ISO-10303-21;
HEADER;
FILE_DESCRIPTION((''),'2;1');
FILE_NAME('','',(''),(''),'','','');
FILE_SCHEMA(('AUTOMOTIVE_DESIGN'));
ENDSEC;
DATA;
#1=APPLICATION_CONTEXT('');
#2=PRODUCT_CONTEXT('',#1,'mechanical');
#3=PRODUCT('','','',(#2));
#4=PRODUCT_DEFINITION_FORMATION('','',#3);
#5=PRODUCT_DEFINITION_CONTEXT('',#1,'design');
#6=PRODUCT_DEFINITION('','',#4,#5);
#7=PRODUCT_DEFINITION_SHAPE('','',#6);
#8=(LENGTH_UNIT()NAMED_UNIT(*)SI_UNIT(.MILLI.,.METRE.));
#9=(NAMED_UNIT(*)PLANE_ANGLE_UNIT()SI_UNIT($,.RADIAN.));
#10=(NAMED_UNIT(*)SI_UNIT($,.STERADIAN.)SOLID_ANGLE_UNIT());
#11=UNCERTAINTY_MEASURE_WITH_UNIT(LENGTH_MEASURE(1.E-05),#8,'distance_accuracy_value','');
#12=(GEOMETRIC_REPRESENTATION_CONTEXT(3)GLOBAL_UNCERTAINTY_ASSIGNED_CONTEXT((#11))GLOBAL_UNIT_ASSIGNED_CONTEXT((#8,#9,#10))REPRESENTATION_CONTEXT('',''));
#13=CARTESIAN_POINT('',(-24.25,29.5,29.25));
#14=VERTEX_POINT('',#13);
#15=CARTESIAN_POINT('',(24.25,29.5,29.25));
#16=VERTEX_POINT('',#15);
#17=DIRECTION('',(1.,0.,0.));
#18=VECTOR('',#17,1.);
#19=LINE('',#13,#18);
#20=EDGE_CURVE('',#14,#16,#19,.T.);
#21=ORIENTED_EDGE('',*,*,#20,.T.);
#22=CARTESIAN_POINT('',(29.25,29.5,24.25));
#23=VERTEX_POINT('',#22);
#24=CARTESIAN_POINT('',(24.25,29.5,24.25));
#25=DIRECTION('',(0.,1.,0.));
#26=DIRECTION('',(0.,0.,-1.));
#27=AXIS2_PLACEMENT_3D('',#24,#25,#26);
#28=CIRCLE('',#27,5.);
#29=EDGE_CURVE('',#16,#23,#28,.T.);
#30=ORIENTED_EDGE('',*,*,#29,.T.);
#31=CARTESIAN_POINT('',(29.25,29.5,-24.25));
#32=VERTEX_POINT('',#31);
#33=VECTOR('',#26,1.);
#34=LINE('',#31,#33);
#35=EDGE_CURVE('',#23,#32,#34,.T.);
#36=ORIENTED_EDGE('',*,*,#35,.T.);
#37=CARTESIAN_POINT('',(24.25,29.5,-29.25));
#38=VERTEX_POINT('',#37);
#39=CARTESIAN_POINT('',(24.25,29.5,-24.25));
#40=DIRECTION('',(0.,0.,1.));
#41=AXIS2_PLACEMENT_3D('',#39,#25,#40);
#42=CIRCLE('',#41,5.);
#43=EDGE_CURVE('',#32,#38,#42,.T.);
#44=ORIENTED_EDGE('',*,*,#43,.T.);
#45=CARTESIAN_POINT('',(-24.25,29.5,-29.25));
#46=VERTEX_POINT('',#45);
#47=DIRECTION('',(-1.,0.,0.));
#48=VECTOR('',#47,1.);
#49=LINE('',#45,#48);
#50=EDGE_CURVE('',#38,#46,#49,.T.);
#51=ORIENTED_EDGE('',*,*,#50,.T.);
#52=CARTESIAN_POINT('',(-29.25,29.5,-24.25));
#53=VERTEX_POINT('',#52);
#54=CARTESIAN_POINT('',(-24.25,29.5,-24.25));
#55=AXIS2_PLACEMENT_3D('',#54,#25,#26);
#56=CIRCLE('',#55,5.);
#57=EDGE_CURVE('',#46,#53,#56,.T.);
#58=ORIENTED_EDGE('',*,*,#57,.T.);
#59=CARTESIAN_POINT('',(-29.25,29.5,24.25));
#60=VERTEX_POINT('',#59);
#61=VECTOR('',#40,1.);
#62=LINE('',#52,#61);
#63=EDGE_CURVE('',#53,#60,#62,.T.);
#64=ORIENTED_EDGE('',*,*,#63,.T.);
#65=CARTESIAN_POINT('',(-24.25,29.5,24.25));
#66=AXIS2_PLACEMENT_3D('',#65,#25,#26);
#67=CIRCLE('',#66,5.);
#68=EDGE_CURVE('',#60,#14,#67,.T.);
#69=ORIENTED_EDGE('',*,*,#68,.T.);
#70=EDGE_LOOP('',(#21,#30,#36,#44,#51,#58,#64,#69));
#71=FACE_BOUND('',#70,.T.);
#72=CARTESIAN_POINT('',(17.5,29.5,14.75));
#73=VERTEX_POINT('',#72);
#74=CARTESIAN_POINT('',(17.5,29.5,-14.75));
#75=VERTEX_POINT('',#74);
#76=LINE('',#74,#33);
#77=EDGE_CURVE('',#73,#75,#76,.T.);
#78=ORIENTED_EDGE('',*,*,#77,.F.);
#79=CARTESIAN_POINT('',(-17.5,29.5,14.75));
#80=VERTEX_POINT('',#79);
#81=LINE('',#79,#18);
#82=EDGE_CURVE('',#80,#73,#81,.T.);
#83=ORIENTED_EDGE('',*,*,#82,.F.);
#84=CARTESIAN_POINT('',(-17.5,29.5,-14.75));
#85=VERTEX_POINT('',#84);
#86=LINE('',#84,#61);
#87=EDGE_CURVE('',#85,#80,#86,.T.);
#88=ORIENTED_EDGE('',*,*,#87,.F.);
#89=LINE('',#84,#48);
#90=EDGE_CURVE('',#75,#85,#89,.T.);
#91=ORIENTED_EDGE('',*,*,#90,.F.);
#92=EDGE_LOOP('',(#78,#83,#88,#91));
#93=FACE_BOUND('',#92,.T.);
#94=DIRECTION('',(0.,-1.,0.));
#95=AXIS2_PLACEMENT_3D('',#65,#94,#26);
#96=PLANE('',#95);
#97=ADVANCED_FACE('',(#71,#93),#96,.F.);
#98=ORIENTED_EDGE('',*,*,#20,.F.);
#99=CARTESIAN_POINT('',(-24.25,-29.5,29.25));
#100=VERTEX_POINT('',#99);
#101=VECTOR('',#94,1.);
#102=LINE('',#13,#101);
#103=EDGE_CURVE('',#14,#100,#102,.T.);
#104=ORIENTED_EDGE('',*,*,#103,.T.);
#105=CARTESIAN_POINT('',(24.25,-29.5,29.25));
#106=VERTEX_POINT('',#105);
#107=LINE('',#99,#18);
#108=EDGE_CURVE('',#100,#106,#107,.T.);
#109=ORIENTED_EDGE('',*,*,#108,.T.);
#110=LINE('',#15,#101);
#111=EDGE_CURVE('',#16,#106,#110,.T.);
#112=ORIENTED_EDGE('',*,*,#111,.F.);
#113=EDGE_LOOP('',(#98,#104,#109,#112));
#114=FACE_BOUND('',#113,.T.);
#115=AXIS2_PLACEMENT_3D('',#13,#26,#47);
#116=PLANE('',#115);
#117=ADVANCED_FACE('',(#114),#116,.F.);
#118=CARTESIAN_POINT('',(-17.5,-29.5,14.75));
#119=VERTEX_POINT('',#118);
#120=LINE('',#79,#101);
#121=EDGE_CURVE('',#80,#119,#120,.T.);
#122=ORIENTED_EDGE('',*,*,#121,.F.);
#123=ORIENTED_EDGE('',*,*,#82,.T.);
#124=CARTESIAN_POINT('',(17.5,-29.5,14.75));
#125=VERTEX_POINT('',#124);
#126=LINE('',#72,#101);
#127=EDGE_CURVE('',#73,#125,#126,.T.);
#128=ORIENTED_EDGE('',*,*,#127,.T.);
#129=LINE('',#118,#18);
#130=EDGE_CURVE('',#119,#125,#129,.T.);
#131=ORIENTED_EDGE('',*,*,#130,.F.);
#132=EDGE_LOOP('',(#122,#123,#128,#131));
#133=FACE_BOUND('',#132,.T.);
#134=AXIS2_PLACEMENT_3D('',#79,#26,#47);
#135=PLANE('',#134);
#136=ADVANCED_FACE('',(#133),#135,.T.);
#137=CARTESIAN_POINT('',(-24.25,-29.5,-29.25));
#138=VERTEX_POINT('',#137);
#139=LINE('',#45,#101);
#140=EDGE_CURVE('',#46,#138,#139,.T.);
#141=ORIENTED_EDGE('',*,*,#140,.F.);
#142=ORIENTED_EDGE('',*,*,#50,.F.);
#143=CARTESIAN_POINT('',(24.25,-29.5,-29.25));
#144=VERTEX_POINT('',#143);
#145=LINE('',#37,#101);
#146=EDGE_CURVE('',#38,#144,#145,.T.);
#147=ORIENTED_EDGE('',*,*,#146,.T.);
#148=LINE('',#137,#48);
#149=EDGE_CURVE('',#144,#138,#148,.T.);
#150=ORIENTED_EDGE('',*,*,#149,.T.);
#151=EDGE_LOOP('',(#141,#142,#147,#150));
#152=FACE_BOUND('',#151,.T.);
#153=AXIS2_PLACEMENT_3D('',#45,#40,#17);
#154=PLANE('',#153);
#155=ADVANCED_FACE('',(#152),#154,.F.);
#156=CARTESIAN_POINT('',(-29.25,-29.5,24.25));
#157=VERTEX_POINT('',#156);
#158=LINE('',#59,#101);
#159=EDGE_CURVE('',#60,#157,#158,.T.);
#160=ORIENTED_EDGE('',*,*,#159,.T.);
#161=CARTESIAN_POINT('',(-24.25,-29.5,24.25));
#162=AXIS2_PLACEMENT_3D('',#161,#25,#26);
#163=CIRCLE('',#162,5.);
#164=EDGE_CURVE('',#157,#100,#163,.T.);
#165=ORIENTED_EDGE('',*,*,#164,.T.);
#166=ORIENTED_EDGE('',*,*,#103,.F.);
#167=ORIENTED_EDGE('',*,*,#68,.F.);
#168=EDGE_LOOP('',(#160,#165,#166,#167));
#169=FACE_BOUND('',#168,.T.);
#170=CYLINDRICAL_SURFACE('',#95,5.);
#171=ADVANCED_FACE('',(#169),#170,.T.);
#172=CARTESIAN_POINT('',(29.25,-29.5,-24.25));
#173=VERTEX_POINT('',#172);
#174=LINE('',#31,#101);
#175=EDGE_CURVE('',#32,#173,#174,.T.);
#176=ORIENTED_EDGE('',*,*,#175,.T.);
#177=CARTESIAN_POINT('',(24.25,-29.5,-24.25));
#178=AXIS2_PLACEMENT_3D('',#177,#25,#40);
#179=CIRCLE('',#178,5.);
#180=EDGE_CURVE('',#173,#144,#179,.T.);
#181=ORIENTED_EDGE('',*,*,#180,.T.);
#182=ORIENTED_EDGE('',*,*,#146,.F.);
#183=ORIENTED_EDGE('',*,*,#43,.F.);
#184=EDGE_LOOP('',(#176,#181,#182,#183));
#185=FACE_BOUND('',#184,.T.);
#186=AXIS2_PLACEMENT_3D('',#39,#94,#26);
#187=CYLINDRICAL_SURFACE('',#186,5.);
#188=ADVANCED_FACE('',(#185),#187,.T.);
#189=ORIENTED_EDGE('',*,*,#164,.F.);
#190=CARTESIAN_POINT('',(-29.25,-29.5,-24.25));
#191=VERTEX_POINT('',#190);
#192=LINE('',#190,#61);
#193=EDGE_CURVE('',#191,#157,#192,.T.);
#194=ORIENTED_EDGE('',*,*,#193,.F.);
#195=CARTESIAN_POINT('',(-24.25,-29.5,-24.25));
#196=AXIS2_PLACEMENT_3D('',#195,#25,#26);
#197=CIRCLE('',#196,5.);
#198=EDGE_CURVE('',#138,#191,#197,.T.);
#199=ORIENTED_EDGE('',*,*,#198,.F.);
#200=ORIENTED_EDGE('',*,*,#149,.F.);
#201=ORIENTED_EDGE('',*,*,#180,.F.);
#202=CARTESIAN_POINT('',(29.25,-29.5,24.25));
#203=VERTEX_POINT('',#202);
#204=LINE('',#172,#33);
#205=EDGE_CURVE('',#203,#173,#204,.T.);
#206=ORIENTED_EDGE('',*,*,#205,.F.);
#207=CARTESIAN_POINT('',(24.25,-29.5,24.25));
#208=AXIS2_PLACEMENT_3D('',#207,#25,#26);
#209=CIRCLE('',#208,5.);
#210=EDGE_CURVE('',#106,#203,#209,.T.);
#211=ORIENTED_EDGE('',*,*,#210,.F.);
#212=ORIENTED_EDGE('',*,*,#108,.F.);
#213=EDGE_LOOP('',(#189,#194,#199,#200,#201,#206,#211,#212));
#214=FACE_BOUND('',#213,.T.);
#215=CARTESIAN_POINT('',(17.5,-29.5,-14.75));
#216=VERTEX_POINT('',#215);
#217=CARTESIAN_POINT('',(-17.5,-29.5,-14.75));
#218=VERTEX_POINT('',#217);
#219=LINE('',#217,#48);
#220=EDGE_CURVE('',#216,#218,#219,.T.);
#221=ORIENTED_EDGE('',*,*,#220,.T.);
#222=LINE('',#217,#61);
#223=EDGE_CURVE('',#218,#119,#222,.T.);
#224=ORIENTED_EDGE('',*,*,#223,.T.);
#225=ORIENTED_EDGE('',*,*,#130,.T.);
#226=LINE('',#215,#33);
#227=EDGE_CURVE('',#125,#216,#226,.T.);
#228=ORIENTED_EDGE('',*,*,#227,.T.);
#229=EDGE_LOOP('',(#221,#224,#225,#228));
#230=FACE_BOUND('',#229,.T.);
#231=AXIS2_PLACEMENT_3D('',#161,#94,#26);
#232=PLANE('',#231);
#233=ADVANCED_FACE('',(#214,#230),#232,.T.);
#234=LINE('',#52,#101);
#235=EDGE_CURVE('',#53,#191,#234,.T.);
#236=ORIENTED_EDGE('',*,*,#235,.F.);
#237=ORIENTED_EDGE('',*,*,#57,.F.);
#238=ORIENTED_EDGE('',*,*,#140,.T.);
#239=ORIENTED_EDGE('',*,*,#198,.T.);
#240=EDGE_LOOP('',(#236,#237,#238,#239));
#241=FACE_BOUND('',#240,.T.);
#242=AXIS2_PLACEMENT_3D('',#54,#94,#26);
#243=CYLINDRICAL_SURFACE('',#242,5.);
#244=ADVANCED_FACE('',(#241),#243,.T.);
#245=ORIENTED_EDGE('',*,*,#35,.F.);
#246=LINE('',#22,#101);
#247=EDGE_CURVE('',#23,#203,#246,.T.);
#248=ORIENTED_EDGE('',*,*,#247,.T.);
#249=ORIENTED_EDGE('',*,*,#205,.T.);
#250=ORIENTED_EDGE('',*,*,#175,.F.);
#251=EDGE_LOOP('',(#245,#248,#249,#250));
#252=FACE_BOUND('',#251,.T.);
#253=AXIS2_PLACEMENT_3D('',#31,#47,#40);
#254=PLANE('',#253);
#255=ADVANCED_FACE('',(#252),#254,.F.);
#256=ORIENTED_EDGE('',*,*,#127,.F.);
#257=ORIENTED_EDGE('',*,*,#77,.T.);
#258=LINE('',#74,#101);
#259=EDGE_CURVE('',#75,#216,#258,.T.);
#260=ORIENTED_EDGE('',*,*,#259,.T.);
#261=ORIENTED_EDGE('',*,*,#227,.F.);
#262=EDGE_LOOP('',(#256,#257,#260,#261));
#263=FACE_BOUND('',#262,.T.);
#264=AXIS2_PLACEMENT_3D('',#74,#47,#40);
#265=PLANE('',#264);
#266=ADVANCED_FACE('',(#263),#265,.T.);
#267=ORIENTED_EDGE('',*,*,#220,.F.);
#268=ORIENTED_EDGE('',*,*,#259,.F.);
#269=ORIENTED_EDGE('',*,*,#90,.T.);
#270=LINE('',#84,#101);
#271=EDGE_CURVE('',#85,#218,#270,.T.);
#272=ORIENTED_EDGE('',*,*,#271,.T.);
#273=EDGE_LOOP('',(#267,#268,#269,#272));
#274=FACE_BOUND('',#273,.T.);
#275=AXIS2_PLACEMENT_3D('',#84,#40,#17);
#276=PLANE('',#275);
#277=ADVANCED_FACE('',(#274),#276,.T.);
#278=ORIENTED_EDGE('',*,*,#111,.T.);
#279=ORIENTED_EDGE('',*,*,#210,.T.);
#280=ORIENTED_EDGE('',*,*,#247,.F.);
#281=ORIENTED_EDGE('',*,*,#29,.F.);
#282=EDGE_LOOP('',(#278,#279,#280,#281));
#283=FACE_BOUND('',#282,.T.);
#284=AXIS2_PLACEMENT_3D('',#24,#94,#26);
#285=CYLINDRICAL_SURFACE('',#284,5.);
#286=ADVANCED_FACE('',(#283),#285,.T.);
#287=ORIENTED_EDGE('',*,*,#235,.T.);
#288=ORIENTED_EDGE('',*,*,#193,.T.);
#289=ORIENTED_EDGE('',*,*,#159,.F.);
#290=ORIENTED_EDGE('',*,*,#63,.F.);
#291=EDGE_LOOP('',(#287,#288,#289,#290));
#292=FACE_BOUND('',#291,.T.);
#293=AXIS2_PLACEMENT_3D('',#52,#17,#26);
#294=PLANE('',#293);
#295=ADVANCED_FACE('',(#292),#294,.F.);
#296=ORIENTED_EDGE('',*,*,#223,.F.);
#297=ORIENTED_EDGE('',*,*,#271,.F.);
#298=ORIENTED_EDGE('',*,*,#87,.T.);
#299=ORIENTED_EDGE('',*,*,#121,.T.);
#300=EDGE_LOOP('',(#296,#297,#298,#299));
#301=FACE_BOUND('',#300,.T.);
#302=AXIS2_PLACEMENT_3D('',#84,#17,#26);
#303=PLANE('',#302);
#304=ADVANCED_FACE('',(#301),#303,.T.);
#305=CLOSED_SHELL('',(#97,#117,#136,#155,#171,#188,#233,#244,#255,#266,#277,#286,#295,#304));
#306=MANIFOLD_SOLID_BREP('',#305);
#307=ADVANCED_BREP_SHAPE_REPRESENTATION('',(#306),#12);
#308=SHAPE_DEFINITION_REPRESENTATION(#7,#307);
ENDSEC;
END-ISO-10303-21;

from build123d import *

# Parameters (mm, degrees)
SKETCH1_W           = 35
SKETCH1_H           = 29.5
BOSS_EXTRUDE1_DEPTH = 29.5


with BuildPart() as part:
    # Sketch1 → Boss-Extrude1 (new, symmetric)
    with BuildSketch(Plane(origin=(0, 0, 0), x_dir=(1, 0, 0), z_dir=(0, 1, 0))):
        with BuildLine():
            Line((-24.25, 29.25), (24.25, 29.25))
            ThreePointArc((24.25, 29.25), (27.785533906, 27.785533906), (29.25, 24.25))
            Line((29.25, 24.25), (29.25, -24.25))
            ThreePointArc((29.25, -24.25), (27.785533906, -27.785533906), (24.25, -29.25))
            Line((24.25, -29.25), (-24.25, -29.25))
            ThreePointArc((-24.25, -29.25), (-27.785533906, -27.785533906), (-29.25, -24.25))
            Line((-29.25, -24.25), (-29.25, 24.25))
            ThreePointArc((-29.25, 24.25), (-27.785533906, 27.785533906), (-24.25, 29.25))
        make_face()
        Rectangle(SKETCH1_W, SKETCH1_H, mode=Mode.SUBTRACT)
    extrude(amount=BOSS_EXTRUDE1_DEPTH, both=True)


solid = part.part
